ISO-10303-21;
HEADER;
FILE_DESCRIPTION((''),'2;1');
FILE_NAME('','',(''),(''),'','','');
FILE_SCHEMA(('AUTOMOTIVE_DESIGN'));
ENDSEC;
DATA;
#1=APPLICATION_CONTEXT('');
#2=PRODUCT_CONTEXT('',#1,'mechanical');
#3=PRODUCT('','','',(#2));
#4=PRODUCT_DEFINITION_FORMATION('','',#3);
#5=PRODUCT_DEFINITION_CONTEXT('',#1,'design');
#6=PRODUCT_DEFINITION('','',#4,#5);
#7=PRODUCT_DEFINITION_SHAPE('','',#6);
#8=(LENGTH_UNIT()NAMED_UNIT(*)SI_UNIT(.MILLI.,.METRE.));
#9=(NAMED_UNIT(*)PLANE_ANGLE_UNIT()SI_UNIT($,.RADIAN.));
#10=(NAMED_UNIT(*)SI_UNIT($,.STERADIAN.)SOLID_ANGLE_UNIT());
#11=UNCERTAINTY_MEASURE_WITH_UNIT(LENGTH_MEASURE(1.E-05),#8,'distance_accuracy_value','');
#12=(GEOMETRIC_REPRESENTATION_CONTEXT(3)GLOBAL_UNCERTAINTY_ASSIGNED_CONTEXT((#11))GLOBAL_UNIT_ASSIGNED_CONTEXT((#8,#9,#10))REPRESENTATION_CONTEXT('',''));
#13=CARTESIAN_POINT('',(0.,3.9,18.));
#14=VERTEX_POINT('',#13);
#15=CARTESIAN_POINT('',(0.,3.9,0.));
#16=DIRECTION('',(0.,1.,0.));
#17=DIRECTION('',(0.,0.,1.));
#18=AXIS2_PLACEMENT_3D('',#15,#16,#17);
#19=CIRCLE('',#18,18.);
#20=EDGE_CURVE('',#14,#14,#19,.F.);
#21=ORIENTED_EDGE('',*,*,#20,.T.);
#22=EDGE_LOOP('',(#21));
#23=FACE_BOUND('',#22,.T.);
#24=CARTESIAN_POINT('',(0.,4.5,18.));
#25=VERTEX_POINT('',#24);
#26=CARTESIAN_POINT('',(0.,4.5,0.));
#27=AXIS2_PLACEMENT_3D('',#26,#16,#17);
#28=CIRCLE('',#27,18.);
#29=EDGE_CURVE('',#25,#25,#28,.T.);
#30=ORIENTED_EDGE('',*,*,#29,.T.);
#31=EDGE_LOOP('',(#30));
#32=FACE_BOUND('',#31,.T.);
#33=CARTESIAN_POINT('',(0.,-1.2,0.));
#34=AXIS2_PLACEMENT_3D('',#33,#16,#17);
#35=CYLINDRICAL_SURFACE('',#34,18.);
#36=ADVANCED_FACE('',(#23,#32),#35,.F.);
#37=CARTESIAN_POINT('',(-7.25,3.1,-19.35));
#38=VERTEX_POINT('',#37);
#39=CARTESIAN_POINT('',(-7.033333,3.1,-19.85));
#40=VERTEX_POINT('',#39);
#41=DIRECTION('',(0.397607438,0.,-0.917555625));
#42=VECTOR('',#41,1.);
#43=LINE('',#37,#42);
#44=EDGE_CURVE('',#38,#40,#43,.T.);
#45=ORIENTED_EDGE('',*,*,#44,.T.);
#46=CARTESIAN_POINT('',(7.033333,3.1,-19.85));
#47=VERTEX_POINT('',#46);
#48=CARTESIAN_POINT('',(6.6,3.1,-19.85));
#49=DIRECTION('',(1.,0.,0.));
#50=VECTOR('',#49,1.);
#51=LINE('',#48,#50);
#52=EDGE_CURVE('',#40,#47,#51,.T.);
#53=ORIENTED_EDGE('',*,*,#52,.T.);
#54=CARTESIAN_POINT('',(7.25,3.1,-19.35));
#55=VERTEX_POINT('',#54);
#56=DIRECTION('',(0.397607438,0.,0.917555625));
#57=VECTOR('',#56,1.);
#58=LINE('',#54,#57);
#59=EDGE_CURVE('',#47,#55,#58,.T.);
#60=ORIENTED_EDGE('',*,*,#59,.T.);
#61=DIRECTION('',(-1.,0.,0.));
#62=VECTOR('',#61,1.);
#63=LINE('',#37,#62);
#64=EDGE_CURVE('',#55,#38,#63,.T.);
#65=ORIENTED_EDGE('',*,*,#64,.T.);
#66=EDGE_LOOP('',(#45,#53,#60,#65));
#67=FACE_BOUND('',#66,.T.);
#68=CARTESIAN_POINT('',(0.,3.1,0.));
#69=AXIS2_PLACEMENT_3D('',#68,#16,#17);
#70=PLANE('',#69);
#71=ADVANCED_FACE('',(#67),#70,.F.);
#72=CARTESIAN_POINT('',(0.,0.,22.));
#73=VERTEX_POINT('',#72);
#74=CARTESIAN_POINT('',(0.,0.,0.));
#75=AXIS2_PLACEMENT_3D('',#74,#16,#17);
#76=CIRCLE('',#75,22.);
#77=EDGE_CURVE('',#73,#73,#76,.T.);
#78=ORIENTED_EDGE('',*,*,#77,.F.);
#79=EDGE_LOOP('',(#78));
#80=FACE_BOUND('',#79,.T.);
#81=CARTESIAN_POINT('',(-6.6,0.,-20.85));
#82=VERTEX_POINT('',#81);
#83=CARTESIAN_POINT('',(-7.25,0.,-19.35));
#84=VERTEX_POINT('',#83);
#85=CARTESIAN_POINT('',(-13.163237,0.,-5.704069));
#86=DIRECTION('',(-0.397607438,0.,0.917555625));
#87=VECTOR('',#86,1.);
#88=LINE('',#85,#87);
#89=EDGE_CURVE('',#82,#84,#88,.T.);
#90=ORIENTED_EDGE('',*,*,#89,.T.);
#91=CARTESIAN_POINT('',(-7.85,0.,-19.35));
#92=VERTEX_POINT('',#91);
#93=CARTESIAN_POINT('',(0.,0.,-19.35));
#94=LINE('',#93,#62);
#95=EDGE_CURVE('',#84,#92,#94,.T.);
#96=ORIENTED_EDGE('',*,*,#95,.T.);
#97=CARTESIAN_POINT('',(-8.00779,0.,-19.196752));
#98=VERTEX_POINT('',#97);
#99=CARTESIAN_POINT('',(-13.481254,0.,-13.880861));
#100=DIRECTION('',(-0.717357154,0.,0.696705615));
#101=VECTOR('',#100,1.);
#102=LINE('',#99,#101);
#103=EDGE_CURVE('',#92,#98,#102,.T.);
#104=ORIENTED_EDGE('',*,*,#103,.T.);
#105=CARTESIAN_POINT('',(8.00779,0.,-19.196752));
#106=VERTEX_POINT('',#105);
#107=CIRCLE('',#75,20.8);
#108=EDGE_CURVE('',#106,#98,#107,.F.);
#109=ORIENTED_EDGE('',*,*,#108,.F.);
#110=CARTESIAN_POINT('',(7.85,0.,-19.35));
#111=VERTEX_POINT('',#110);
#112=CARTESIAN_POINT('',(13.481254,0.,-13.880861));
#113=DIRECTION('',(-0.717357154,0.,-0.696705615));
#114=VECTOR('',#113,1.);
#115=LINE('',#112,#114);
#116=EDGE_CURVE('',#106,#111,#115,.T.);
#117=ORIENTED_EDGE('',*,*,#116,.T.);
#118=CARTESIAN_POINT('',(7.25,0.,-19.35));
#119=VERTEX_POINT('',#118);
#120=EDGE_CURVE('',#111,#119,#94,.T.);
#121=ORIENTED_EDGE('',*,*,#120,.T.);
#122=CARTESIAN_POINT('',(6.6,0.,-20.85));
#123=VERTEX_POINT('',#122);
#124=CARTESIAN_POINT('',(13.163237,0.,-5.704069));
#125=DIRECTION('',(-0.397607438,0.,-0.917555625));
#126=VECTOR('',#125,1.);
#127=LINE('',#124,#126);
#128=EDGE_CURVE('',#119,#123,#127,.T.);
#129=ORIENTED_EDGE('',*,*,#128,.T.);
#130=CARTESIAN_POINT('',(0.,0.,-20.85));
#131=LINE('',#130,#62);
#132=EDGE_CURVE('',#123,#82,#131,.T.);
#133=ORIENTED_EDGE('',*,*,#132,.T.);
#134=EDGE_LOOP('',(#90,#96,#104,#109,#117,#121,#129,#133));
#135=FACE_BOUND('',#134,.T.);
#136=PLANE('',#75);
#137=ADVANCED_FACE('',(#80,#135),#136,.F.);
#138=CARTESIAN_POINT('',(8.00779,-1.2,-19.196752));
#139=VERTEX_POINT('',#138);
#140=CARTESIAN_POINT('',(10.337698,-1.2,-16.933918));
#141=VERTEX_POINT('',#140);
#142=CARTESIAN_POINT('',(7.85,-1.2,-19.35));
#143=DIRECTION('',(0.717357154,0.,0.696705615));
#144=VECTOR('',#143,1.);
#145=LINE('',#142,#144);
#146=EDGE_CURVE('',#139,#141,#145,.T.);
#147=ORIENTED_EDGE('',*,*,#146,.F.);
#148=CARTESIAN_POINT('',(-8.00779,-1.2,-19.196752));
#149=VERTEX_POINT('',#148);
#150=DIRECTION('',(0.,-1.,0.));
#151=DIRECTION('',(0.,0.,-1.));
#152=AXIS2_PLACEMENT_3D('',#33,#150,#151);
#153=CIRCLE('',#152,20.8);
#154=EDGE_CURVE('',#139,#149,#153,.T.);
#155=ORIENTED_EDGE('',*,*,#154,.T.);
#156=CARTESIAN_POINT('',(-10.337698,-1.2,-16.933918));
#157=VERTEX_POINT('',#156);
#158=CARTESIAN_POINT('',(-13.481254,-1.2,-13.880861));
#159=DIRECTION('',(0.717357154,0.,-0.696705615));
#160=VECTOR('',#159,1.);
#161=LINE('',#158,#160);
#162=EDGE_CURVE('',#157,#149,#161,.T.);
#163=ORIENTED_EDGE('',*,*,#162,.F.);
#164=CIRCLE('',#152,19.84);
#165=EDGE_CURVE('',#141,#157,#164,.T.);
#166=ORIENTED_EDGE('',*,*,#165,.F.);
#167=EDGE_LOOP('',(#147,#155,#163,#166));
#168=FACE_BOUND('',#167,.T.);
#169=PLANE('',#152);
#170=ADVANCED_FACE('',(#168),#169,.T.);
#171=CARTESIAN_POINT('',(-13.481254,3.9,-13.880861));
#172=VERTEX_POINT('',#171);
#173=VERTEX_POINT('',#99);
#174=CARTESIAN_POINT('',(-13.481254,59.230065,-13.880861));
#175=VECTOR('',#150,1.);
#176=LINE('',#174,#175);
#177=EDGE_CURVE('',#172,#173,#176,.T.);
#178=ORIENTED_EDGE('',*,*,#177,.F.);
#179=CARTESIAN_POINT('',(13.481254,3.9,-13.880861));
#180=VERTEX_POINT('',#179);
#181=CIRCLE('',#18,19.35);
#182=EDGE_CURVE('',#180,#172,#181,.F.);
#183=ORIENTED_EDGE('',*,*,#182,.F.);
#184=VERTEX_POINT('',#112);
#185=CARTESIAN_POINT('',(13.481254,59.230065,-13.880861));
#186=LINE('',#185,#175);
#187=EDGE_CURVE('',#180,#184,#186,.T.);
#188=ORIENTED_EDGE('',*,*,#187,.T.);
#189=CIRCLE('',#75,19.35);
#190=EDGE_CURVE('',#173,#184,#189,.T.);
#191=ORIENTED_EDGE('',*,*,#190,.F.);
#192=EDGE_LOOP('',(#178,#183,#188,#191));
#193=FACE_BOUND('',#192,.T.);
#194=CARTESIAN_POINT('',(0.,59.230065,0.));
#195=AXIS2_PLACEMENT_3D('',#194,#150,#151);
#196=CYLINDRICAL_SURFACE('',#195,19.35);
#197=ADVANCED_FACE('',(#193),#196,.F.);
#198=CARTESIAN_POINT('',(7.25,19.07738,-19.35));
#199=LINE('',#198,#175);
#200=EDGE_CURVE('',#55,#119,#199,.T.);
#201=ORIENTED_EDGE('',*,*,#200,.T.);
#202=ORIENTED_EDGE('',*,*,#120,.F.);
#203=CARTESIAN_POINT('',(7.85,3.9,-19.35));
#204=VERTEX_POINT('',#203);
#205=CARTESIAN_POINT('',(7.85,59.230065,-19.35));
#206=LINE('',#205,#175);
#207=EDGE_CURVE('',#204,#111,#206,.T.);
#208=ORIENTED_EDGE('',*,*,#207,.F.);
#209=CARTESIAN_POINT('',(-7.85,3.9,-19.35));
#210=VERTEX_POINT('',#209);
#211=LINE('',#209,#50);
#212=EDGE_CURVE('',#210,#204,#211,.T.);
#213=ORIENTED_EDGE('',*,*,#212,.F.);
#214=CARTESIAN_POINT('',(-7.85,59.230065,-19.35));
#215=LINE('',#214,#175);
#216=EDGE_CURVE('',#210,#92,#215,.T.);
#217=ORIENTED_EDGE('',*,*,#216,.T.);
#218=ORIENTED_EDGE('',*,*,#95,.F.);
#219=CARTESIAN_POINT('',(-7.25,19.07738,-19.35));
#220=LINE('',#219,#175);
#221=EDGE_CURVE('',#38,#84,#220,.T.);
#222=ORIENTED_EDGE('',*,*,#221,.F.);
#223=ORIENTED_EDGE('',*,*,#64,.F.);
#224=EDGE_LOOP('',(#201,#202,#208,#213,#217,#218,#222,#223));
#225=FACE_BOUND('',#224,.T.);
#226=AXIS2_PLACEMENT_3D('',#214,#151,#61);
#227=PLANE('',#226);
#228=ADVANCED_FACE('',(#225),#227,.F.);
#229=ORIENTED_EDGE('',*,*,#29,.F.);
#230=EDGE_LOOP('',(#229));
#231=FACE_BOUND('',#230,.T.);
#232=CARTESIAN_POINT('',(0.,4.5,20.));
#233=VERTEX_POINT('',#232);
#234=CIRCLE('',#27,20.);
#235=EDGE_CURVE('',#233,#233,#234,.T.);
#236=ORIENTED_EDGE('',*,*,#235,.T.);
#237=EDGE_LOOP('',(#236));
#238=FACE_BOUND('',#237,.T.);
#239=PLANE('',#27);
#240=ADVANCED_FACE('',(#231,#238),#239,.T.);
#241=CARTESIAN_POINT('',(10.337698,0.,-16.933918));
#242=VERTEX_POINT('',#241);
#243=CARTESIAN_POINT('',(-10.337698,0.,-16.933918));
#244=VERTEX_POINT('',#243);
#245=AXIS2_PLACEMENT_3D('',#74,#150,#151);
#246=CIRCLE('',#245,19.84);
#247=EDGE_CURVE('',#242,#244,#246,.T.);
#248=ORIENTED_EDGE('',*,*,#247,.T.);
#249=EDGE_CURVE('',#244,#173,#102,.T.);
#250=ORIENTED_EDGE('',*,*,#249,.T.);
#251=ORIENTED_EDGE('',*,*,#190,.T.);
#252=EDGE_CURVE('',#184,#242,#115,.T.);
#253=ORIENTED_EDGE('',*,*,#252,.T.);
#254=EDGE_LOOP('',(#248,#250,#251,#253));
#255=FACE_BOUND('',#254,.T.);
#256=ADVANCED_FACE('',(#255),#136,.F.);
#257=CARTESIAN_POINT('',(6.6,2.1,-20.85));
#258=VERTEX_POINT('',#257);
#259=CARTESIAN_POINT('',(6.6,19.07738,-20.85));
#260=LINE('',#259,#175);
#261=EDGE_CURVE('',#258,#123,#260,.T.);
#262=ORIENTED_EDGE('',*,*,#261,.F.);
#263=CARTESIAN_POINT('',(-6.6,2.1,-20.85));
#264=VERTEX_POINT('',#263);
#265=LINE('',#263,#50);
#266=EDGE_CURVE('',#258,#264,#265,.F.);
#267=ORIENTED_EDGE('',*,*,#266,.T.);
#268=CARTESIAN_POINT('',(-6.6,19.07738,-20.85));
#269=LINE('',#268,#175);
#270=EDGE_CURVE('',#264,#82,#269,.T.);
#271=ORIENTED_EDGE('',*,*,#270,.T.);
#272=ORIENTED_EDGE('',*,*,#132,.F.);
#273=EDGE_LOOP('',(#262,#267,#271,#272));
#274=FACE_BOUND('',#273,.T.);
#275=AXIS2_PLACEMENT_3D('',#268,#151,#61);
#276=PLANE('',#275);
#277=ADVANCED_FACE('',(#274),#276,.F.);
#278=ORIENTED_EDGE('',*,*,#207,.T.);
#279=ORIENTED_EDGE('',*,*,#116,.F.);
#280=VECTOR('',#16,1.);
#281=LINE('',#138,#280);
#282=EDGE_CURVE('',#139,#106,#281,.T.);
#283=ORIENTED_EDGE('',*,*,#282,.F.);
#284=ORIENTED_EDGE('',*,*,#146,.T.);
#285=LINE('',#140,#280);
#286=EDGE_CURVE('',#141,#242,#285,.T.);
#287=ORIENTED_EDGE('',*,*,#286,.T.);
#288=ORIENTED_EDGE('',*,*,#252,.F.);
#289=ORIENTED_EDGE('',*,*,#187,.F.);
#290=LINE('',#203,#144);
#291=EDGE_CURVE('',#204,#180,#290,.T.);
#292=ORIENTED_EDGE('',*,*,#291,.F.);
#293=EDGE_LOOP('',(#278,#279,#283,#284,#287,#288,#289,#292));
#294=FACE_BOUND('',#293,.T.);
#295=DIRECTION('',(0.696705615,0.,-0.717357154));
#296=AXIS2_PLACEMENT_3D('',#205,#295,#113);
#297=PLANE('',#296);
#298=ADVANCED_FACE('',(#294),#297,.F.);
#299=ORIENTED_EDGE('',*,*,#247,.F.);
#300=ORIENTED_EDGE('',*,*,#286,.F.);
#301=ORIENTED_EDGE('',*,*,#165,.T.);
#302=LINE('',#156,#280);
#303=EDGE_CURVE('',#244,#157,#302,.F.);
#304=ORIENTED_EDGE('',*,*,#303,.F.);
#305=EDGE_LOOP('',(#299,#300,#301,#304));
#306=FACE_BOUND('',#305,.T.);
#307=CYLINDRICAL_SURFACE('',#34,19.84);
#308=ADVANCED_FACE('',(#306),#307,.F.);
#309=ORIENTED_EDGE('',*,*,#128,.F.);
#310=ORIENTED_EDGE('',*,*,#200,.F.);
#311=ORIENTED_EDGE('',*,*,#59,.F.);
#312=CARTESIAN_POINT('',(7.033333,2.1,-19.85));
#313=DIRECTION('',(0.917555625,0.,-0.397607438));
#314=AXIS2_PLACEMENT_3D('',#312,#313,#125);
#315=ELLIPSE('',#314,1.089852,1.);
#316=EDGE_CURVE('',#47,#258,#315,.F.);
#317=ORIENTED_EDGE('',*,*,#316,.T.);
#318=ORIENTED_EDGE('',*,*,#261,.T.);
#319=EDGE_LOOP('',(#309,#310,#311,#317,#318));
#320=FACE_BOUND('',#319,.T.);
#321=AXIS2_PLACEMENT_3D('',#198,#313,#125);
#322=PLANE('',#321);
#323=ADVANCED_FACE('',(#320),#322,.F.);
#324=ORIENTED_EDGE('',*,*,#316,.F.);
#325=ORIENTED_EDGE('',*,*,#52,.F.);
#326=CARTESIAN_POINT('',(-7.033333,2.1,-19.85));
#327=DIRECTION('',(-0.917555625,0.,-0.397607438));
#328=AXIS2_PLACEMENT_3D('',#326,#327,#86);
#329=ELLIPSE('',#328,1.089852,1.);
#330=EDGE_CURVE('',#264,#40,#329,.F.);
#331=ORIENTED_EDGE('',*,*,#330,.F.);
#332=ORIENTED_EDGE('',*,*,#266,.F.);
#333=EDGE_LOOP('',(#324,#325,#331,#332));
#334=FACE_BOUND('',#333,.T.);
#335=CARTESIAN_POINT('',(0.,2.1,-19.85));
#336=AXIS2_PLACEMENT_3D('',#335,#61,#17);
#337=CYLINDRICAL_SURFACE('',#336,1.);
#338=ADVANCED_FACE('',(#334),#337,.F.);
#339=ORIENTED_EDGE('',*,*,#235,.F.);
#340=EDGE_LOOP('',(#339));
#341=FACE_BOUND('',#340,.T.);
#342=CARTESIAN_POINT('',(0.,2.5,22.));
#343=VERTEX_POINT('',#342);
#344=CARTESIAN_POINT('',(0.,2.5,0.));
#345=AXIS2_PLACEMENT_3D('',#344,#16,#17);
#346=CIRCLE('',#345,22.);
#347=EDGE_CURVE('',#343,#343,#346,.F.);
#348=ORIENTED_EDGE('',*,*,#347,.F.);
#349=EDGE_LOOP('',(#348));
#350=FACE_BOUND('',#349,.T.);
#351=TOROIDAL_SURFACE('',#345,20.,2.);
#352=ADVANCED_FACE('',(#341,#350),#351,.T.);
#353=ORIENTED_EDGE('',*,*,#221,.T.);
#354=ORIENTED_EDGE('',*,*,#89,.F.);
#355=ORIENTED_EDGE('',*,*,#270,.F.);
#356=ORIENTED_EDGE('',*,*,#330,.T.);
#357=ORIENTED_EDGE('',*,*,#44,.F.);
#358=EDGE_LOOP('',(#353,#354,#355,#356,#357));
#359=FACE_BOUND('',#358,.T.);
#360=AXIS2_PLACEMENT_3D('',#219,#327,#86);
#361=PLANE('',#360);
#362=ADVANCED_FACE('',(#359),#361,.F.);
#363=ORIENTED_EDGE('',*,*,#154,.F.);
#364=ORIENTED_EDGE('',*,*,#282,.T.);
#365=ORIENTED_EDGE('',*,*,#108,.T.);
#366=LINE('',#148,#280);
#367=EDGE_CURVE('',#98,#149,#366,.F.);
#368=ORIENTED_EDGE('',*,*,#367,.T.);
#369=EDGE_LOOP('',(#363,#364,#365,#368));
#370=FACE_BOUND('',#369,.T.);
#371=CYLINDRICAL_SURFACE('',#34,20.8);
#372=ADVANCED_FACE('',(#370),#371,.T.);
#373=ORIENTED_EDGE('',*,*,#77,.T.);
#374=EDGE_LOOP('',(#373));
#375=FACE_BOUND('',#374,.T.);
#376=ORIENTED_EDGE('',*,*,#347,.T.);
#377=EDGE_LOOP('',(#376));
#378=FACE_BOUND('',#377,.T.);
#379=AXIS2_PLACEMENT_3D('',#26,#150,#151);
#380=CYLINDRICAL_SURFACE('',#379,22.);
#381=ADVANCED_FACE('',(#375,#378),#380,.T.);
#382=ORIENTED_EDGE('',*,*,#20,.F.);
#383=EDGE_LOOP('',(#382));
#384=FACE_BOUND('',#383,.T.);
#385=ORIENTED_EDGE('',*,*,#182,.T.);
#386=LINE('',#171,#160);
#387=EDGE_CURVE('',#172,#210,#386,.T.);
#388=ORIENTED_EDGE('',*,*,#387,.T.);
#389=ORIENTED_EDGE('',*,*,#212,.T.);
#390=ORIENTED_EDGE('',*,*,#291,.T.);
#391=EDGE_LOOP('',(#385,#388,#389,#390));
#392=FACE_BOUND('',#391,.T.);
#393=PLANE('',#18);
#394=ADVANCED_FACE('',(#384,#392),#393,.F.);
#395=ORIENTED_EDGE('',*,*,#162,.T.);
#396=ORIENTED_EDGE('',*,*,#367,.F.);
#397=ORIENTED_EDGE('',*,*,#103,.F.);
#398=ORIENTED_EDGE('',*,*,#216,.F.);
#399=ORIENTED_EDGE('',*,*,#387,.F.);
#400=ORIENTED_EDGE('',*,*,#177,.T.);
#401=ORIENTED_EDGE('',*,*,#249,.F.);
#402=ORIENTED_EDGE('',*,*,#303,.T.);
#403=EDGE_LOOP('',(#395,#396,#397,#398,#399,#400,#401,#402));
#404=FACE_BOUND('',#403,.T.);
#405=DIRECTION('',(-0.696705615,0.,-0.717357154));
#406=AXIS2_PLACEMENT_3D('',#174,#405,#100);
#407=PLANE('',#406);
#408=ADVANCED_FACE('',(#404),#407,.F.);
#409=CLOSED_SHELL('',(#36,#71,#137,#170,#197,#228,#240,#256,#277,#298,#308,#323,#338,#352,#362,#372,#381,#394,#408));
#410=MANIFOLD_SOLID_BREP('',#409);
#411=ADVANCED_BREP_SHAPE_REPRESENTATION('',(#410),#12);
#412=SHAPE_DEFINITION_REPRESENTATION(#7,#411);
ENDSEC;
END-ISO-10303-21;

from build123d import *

# Parameters (mm, degrees)
SKETCH1_R               = 22
BOSS_EXTRUDE1_DEPTH     = 4.5
SKETCH2_R               = 20.8
SKETCH2_R_2             = 19.84
BOSS_EXTRUDE2_DEPTH     = 1.2
SKETCH3_R               = 18
CUT_EXTRUDE1_DEPTH      = 32.630523233
CUT_EXTRUDE2_DEPTH      = 32.436443819
CUT_EXTRUDE2_DEPTH_BACK = 3.9
CUT_EXTRUDE3_DEPTH      = 32.436443819
CUT_EXTRUDE3_DEPTH_BACK = 3.1
FILLET1_R               = 2
FILLET2_R               = 1
CUT_EXTRUDE4_DEPTH      = 32.436443819


with BuildPart() as part:
    # Sketch1 → Boss-Extrude1 (new body)
    with BuildSketch(Plane(origin=(0, 0, 0), x_dir=(1, 0, 0), z_dir=(0, 1, 0))):
        with Locations(Location((0, 0, 0), (0, 0, 270))):
            Circle(SKETCH1_R)
    extrude(amount=BOSS_EXTRUDE1_DEPTH)

    # Sketch2 → Boss-Extrude2 (add)
    with BuildSketch(Plane.XZ):
        with Locations(Location((0, 0, 0), (0, 0, 90))):
            Circle(SKETCH2_R)
        with Locations(Location((0, 0, 0), (0, 0, 270))):
            Circle(SKETCH2_R_2, mode=Mode.SUBTRACT)
    extrude(amount=BOSS_EXTRUDE2_DEPTH)

    # Sketch3 → Cut-Extrude1 (cut, through all)
    with BuildSketch(Plane(origin=(0, 4.5, 0), x_dir=(1, 0, 0), z_dir=(0, 1, 0))):
        with Locations(Location((0, 0, 0), (0, 0, 270))):
            Circle(SKETCH3_R)
    extrude(amount=-CUT_EXTRUDE1_DEPTH, mode=Mode.SUBTRACT)

    # Sketch4 → Cut-Extrude2 (cut, two sides: drawn at the far end of the back side and taken through both)
    with BuildSketch(Plane.XZ.offset(-CUT_EXTRUDE2_DEPTH_BACK)):
        with BuildLine():
            Line((-13.481253655, -13.88086092), (-7.85, -19.35))
            Line((-7.85, -19.35), (7.85, -19.35))
            Line((7.85, -19.35), (13.481253655, -13.88086092))
            ThreePointArc((13.481253655, -13.88086092), (0, 19.35), (-13.481253655, -13.88086092))
        make_face()
    extrude(amount=CUT_EXTRUDE2_DEPTH + CUT_EXTRUDE2_DEPTH_BACK, mode=Mode.SUBTRACT)

    # Sketch5 → Cut-Extrude3 (cut, two sides: drawn at the far end of the back side and taken through both)
    with BuildSketch(Plane.XZ.offset(-CUT_EXTRUDE3_DEPTH_BACK)):
        Polygon((-6.6, -20.85), (6.6, -20.85), (7.25, -19.35), (-7.25, -19.35), align=None)
    extrude(amount=CUT_EXTRUDE3_DEPTH + CUT_EXTRUDE3_DEPTH_BACK, mode=Mode.SUBTRACT)

    # Fillet1
    fillet1_edges = [part.edges().sort_by_distance(p)[0] for p in [
        (0, 4.5, -22),
    ]]
    fillet(fillet1_edges, radius=FILLET1_R)

    # Fillet2
    fillet2_edges = [part.edges().sort_by_distance(p)[0] for p in [
        (0, 3.1, -20.85),
    ]]
    fillet(fillet2_edges, radius=FILLET2_R)

    # Sketch6 → Cut-Extrude4 (cut, through all)
    with BuildSketch(Plane.XZ):
        with BuildLine():
            Line((7.25, -19.35), (7.174883279, -19.523346279))
            ThreePointArc((7.174883279, -19.523346279), (7.402968696, -19.438005414), (7.630039318, -19.35))
            Line((7.630039318, -19.35), (7.25, -19.35))
        make_face()
        with BuildLine():
            Line((-7.174883279, -19.523346279), (-7.25, -19.35))
            Line((-7.25, -19.35), (-7.630039318, -19.35))
            ThreePointArc((-7.630039318, -19.35), (-7.402968696, -19.438005414), (-7.174883279, -19.523346279))
        make_face()
    extrude(amount=CUT_EXTRUDE4_DEPTH, mode=Mode.SUBTRACT)


solid = part.part
